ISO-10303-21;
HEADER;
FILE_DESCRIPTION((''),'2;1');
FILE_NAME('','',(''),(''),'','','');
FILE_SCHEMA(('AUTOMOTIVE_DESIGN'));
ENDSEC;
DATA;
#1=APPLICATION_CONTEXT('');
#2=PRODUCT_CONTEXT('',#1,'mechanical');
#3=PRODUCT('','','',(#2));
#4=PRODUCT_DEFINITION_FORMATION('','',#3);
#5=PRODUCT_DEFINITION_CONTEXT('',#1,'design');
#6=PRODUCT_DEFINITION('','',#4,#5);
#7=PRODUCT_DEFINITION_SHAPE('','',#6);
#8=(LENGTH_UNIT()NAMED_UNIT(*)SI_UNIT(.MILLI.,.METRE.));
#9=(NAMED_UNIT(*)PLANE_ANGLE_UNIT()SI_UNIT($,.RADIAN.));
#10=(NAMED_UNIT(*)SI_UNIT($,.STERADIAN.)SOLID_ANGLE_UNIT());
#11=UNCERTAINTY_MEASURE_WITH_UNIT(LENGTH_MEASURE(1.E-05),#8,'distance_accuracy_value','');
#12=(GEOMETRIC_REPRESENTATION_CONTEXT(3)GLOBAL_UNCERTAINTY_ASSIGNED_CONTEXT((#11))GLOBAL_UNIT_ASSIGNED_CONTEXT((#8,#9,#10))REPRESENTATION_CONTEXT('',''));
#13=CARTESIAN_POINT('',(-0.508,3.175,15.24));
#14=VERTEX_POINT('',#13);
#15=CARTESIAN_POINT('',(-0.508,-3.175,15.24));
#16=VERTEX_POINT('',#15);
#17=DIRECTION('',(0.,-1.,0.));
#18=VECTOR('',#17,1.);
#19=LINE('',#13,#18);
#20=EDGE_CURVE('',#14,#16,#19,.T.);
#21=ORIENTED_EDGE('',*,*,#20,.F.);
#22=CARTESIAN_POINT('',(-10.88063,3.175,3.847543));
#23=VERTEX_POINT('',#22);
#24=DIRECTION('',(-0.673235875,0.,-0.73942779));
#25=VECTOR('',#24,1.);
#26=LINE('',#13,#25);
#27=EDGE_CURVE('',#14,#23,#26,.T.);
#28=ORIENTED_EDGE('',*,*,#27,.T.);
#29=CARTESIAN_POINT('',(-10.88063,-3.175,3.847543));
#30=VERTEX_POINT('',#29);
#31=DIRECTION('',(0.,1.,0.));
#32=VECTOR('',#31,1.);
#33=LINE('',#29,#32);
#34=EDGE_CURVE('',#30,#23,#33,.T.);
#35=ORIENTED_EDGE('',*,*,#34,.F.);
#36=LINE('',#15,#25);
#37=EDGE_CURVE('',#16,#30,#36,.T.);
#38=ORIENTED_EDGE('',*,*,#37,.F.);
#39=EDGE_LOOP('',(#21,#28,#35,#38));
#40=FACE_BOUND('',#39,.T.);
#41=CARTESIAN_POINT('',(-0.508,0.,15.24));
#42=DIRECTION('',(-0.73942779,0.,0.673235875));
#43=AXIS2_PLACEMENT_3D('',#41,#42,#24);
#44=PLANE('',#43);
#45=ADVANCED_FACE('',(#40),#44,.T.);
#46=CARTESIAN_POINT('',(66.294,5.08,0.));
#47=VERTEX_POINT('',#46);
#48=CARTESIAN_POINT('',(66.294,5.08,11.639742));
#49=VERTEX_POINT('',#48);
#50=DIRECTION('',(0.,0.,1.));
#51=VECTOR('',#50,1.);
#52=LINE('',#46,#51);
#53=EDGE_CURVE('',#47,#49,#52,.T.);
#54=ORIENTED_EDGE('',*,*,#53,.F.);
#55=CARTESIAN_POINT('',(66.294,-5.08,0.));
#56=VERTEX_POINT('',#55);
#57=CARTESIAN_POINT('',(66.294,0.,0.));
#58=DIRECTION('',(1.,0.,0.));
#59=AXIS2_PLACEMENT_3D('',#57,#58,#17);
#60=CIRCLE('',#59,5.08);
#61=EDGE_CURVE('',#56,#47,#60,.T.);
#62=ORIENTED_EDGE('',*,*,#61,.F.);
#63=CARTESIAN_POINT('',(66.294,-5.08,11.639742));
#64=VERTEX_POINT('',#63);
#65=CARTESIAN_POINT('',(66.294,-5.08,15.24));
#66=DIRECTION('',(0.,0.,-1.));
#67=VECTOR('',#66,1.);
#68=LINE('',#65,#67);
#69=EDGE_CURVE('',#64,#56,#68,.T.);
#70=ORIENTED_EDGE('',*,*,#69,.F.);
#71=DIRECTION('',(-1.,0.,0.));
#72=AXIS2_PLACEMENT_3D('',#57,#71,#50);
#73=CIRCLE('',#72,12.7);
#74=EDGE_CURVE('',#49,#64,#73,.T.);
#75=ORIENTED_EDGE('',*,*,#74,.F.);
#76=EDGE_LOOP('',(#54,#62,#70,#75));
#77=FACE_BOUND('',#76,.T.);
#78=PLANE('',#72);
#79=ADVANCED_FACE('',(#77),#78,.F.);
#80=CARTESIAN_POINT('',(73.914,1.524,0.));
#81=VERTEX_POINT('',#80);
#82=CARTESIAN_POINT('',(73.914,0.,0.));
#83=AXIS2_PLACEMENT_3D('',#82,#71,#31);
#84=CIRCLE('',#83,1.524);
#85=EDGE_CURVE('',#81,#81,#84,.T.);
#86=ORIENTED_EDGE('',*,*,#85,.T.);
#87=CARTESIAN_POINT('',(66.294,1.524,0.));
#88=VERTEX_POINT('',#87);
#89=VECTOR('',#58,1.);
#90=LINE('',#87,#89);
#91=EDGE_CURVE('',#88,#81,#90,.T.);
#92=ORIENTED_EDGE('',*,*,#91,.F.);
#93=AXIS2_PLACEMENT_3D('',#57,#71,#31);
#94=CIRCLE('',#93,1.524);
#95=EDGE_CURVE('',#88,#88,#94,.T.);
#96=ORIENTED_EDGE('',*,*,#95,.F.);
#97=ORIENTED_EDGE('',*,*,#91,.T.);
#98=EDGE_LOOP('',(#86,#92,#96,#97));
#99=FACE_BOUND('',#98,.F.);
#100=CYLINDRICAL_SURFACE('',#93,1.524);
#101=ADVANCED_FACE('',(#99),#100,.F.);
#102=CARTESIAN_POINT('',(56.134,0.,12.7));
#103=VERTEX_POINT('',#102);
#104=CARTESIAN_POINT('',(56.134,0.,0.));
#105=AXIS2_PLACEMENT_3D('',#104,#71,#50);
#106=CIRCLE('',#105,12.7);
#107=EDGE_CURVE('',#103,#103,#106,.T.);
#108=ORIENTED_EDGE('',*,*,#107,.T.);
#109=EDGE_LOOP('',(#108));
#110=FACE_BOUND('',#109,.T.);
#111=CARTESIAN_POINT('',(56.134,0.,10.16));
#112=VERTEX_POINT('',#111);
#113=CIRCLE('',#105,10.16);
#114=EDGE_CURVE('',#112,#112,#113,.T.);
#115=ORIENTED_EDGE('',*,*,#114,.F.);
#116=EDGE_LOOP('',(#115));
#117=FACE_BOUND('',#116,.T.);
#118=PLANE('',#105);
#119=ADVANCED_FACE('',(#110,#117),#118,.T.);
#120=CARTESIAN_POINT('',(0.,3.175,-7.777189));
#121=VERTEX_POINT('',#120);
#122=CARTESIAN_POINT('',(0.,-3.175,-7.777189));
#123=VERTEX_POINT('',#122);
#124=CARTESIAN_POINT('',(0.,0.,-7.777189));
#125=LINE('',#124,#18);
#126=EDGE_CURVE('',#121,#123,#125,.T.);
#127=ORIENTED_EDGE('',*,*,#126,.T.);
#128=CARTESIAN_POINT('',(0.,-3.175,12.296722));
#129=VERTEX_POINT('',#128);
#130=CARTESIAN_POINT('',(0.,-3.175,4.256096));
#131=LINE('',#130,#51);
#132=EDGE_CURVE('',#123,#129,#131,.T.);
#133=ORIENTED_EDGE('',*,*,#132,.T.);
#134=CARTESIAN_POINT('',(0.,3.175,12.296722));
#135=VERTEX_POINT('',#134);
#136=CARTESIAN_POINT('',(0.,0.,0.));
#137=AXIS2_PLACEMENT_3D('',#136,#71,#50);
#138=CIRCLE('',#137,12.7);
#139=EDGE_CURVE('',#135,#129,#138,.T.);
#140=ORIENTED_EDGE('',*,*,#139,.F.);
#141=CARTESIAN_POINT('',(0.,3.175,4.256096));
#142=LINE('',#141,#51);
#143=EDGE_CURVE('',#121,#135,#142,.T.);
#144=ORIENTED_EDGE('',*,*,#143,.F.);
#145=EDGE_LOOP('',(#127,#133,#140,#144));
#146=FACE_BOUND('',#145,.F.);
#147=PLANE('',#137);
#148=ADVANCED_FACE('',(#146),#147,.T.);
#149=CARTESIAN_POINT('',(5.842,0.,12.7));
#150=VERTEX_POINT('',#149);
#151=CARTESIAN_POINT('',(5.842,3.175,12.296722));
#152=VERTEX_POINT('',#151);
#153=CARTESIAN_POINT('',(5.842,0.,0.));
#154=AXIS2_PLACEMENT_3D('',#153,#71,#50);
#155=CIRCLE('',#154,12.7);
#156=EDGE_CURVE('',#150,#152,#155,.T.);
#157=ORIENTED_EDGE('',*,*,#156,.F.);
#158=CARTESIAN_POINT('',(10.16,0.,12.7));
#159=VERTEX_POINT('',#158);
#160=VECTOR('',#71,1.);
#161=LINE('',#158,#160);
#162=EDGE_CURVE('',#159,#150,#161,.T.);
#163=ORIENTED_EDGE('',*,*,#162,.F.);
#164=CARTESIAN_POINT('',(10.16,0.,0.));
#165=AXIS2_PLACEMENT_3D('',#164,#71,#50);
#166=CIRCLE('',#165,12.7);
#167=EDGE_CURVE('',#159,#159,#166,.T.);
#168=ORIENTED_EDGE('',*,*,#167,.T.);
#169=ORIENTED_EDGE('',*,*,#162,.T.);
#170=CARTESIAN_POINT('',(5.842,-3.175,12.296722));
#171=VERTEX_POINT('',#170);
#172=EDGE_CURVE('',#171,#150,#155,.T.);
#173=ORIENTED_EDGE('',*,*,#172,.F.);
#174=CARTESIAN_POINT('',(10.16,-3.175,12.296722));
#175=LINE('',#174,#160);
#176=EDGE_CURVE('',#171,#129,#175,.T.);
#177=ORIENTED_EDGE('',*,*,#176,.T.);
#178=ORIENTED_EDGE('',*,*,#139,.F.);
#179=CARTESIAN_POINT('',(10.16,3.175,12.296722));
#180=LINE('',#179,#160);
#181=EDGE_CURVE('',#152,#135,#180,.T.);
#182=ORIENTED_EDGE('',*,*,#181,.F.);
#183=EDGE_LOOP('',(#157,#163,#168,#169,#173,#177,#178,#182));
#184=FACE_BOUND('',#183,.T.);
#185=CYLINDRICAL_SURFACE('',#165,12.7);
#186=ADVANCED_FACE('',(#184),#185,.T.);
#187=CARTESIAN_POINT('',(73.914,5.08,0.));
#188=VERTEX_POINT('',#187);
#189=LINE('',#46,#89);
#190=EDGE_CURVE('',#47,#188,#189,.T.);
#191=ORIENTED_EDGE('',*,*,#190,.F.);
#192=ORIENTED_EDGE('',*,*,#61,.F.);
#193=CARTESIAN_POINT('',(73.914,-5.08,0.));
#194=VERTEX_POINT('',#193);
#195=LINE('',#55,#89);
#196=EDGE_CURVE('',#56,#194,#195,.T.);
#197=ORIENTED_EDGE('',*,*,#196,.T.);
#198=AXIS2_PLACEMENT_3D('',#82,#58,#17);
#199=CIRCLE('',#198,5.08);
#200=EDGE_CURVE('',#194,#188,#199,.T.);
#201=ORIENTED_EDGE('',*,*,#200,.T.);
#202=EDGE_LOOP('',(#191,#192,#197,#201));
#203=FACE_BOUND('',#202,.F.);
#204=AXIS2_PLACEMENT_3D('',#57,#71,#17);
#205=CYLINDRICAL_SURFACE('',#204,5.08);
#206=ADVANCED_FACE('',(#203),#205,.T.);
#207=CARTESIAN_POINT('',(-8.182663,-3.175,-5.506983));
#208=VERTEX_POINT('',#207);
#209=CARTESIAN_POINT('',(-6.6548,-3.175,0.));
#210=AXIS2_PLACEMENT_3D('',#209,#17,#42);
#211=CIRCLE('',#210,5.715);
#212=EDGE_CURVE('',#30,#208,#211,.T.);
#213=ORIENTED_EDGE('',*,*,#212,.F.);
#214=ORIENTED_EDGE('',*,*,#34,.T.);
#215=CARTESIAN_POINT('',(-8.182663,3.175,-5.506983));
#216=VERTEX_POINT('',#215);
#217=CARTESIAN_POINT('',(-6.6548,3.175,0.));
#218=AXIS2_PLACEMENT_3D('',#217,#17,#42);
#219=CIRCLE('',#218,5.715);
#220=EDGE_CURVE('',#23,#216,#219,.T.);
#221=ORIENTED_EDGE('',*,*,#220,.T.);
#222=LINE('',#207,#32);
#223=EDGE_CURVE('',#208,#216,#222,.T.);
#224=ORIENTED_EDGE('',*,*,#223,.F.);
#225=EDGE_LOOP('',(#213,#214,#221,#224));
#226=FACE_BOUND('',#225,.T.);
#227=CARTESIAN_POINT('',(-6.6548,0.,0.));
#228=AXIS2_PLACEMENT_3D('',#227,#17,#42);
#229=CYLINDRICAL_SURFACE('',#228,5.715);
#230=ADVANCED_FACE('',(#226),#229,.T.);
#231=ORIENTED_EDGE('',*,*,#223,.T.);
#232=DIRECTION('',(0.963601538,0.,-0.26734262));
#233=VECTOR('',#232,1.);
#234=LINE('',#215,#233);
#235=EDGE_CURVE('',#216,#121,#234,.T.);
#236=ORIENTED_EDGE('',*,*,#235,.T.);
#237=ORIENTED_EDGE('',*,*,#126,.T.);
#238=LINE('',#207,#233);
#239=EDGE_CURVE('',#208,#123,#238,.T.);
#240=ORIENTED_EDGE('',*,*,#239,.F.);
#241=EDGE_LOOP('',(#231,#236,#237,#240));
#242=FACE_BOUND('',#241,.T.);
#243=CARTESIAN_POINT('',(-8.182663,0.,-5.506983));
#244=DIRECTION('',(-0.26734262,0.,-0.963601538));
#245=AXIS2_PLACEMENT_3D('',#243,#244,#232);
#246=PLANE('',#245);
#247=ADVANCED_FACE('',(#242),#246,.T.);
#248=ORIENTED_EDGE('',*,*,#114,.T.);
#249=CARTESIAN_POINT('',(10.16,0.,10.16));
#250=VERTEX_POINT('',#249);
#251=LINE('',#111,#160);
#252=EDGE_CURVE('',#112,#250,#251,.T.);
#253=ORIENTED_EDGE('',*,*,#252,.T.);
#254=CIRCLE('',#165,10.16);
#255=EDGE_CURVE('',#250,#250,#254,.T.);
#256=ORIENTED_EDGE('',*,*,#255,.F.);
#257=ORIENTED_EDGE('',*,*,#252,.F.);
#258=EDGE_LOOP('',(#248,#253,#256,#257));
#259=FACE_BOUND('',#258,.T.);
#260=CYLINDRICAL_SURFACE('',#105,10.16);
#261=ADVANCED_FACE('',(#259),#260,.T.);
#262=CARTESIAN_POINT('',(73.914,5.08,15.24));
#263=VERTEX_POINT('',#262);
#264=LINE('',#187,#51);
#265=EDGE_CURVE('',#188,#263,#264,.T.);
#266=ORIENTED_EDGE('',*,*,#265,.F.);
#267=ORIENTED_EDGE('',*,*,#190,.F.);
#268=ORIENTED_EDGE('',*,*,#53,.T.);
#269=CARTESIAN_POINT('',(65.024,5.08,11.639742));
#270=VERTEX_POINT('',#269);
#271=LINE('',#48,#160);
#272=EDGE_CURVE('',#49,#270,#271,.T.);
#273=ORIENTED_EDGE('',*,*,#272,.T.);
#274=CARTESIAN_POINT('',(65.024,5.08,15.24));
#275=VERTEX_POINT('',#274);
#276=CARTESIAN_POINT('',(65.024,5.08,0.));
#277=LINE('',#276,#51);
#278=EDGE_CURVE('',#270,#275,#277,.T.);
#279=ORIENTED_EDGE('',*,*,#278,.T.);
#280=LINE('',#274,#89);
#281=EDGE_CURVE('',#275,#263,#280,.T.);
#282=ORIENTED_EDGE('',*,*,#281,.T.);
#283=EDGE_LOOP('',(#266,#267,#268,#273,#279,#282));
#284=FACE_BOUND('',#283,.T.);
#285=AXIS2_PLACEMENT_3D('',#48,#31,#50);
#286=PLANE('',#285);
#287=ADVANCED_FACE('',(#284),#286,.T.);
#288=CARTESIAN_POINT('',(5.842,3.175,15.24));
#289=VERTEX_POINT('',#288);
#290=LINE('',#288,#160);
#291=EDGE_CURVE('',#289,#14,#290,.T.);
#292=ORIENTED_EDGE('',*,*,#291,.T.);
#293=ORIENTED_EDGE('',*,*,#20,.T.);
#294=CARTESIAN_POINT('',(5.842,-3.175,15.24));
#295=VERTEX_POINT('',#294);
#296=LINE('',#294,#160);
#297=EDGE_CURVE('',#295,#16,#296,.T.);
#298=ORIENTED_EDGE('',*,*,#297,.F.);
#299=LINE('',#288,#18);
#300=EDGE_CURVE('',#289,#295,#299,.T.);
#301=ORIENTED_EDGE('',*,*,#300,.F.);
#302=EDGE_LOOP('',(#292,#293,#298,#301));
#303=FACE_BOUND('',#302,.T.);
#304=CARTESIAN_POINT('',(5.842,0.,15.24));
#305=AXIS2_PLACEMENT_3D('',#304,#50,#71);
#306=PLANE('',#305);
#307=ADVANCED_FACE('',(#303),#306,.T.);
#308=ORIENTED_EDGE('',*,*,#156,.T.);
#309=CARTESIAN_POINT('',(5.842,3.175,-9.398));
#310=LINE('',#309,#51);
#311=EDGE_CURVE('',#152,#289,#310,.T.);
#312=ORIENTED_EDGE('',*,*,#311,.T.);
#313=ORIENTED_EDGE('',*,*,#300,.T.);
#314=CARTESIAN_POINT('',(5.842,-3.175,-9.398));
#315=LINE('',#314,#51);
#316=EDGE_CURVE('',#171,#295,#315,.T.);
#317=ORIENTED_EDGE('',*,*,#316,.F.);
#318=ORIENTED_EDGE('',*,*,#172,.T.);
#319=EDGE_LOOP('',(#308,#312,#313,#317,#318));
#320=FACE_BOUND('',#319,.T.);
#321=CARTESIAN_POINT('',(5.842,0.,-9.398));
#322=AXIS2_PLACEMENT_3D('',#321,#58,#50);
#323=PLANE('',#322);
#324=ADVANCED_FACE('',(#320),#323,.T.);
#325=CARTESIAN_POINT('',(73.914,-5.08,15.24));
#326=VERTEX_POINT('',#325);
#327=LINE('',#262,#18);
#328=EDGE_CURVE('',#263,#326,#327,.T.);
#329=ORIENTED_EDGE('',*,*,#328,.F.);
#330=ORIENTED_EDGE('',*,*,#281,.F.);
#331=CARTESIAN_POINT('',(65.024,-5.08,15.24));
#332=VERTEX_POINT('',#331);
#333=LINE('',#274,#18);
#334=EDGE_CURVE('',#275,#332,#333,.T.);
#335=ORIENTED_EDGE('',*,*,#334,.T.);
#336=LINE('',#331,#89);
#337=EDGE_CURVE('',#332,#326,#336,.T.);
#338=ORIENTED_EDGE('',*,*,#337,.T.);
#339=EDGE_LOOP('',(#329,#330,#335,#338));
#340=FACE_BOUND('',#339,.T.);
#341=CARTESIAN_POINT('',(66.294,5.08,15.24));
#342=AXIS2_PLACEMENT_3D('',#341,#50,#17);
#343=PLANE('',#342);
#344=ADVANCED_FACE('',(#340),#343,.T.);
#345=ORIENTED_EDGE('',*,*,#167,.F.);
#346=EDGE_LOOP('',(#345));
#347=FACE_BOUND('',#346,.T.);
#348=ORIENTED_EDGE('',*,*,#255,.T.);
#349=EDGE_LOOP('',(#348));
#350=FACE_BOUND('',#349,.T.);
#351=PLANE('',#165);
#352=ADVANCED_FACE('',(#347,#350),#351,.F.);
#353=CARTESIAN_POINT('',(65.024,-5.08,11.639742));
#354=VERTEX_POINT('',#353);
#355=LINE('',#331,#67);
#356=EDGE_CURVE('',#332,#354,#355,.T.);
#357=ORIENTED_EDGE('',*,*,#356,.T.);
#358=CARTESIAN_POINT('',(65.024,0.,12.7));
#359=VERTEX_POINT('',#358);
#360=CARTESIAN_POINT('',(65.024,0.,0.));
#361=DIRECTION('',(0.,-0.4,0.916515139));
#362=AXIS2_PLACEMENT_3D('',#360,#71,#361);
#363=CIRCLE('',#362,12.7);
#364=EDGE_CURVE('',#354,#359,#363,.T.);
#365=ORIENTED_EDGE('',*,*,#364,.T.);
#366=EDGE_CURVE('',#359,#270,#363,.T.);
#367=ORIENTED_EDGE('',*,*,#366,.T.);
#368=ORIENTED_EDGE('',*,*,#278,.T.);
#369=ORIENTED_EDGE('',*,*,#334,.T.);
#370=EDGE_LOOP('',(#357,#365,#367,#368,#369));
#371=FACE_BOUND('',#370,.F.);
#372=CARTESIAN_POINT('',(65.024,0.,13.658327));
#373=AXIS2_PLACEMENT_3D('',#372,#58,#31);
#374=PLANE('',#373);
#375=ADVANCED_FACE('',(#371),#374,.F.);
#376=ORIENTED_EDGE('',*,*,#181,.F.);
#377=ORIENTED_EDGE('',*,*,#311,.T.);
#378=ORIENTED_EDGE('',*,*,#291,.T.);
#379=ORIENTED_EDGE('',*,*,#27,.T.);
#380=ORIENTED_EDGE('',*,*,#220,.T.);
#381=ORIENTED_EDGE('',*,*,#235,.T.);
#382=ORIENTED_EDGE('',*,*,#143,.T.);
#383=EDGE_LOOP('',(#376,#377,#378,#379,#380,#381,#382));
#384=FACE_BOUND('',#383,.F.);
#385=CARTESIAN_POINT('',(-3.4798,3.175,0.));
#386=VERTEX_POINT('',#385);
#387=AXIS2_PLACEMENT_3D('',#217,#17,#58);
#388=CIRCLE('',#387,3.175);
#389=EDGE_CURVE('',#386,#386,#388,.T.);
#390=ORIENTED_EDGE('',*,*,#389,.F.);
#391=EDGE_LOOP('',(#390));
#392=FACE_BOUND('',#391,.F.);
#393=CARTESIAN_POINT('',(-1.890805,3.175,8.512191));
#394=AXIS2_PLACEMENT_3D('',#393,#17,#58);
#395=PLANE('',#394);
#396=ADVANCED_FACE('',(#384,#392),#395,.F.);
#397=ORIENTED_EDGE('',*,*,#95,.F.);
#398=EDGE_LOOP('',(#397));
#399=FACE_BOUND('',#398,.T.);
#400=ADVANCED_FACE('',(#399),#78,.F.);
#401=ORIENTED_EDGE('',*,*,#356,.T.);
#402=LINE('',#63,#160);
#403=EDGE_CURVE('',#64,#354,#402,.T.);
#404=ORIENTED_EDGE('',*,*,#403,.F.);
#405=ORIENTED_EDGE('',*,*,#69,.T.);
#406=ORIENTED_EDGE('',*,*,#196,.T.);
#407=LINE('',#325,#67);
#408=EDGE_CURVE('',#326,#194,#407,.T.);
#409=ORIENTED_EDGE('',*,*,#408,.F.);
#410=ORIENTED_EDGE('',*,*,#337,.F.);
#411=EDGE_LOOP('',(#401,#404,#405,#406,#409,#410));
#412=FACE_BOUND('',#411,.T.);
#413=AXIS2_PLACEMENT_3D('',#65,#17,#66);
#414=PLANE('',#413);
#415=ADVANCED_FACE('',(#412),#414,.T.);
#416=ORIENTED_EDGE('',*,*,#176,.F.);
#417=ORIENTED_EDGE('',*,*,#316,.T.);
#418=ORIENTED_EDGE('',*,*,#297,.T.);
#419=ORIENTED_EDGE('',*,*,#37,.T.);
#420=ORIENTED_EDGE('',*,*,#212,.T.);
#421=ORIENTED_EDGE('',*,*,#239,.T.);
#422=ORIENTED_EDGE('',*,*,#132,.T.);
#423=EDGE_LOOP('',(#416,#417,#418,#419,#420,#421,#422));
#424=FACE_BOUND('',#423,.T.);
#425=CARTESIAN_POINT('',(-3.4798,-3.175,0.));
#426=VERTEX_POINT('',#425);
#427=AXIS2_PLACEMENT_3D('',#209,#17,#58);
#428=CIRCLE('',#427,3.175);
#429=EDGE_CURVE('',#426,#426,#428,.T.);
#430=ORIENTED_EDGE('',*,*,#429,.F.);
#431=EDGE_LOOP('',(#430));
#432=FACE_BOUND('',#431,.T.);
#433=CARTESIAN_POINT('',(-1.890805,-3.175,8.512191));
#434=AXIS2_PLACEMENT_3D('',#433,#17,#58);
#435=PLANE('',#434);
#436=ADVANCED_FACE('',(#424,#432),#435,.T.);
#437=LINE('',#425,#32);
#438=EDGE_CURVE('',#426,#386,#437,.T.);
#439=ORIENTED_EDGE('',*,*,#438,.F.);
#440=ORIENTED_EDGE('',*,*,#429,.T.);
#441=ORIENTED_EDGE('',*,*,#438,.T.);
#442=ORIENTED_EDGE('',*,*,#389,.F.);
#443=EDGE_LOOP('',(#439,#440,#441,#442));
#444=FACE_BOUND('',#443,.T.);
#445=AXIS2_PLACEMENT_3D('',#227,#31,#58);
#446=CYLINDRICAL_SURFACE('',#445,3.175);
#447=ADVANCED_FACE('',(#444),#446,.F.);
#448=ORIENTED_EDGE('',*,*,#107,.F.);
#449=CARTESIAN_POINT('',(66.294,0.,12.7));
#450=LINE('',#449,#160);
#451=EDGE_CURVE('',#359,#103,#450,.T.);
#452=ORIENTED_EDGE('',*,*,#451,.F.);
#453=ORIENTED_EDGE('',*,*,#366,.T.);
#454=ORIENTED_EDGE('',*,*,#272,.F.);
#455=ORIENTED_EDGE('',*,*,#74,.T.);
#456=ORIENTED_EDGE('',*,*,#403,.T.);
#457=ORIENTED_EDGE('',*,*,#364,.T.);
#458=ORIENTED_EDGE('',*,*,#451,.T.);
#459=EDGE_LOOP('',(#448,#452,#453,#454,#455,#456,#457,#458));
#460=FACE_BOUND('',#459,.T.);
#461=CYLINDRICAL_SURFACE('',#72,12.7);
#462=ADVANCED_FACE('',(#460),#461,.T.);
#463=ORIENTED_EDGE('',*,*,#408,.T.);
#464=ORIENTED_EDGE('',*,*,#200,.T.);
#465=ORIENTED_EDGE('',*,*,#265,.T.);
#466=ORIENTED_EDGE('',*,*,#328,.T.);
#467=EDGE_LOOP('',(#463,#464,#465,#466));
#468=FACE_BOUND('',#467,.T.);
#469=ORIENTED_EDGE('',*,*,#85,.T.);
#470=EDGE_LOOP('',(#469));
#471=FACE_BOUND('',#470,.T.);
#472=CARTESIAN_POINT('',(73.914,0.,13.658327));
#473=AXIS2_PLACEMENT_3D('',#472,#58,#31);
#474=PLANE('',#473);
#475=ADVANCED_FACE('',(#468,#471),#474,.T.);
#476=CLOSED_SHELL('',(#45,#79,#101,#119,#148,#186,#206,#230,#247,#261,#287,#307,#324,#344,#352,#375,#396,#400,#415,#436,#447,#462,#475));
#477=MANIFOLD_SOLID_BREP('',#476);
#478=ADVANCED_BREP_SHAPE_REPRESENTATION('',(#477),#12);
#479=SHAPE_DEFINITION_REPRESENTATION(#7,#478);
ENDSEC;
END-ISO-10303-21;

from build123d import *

# Parameters (mm, degrees)
F0_R     = 3.175
F0_W     = 5.842
F0_H     = 12.7
F1_DEPTH = 3.175
F4_DEPTH = 7.62
F5_DEPTH = 1.27


with BuildPart() as f1:
    # F0 (on Front) → F1 (new body, symmetric)
    with BuildSketch(Plane.XZ):
        with BuildLine():
            Line((-0.9398, 0), (0, 0))
            Line((0, 0), (0, 12.7))
            Line((0, 12.7), (5.842, 12.7))
            Line((5.842, 12.7), (5.842, 15.24))
            Line((5.842, 15.24), (-0.508, 15.24))
            Line((-0.508, 15.24), (-10.8806298187, 3.8475430269))
            ThreePointArc((-10.8806298187, 3.8475430269), (-4.5919612295, 5.3297205562), (-0.9398, 0))
        make_face()
        with BuildLine():
            Line((5.842, 0), (0, 0))
            Line((0, 0), (-0.9398, 0))
            ThreePointArc((-0.9398, 0), (-3.1957909266, -4.5493385486), (-8.1826630726, -5.5069827884))
            Line((-8.1826630726, -5.5069827884), (5.842, -9.398))
            Line((5.842, -9.398), (5.842, 0))
        make_face()
        with BuildLine():
            ThreePointArc((-8.1826630726, -5.5069827884), (-3.1957909266, -4.5493385486), (-0.9398, 0))
            ThreePointArc((-0.9398, 0), (-4.5919612295, 5.3297205562), (-10.8806298187, 3.8475430269))
            ThreePointArc((-10.8806298187, 3.8475430269), (-12.1459778134, -1.5837270034), (-8.1826630726, -5.5069827884))
        make_face()
        with Locations((-6.6548, 0)):
            Circle(F0_R, mode=Mode.SUBTRACT)
        with Locations((2.921, 6.35)):
            Rectangle(F0_W, F0_H)
    extrude(amount=F1_DEPTH, both=True)

    # F0 (on Front) → F2 (revolve)
    with BuildSketch(Plane.XZ):
        with Locations((2.921, 6.35)):
            Rectangle(F0_W, F0_H)
        Polygon((5.842, 12.7), (5.842, 0), (66.294, 0), (66.294, 12.7), (56.134, 12.7), (56.134, 10.16), (10.16, 10.16), (10.16, 12.7), align=None)
    revolve(axis=Axis((33.147, 0, 0), (-1, 0, 0)))

    # F3 (on face) → F4 (join)
    with BuildSketch(Plane.YZ.offset(66.294)):
        with BuildLine():
            ThreePointArc((-5.08, 11.6397422652), (0, 12.7), (5.08, 11.6397422652))
            Line((5.08, 11.6397422652), (5.08, 15.24))
            Line((5.08, 15.24), (3.175, 15.24))
            Line((3.175, 15.24), (-3.175, 15.24))
            Line((-3.175, 15.24), (-5.08, 15.24))
            Line((-5.08, 15.24), (-5.08, 11.6397422652))
        make_face()
        with BuildLine():
            ThreePointArc((-5.08, 0), (0, 5.08), (5.08, 0))
            Line((5.08, 0), (5.08, 11.6397422652))
            ThreePointArc((5.08, 11.6397422652), (0, 12.7), (-5.08, 11.6397422652))
            Line((-5.08, 11.6397422652), (-5.08, 0))
        make_face()
        with BuildLine():
            ThreePointArc((-1.524, 0), (0, 1.524), (1.524, 0))
            Line((1.524, 0), (5.08, 0))
            ThreePointArc((5.08, 0), (0, 5.08), (-5.08, 0))
            Line((-5.08, 0), (-1.524, 0))
        make_face()
        with BuildLine():
            Line((5.08, 0), (1.524, 0))
            ThreePointArc((1.524, 0), (0, -1.524), (-1.524, 0))
            Line((-1.524, 0), (-5.08, 0))
            ThreePointArc((-5.08, 0), (0, -5.08), (5.08, 0))
        make_face()
    extrude(amount=F4_DEPTH)

    # F5 (add): a face of the model
    f5_faces = [f1.faces().sort_by_distance(p)[0] for p in [
        (66.294, 0, 13.7792682875),
    ]]
    extrude(f5_faces, amount=F5_DEPTH)


solid = f1.part
